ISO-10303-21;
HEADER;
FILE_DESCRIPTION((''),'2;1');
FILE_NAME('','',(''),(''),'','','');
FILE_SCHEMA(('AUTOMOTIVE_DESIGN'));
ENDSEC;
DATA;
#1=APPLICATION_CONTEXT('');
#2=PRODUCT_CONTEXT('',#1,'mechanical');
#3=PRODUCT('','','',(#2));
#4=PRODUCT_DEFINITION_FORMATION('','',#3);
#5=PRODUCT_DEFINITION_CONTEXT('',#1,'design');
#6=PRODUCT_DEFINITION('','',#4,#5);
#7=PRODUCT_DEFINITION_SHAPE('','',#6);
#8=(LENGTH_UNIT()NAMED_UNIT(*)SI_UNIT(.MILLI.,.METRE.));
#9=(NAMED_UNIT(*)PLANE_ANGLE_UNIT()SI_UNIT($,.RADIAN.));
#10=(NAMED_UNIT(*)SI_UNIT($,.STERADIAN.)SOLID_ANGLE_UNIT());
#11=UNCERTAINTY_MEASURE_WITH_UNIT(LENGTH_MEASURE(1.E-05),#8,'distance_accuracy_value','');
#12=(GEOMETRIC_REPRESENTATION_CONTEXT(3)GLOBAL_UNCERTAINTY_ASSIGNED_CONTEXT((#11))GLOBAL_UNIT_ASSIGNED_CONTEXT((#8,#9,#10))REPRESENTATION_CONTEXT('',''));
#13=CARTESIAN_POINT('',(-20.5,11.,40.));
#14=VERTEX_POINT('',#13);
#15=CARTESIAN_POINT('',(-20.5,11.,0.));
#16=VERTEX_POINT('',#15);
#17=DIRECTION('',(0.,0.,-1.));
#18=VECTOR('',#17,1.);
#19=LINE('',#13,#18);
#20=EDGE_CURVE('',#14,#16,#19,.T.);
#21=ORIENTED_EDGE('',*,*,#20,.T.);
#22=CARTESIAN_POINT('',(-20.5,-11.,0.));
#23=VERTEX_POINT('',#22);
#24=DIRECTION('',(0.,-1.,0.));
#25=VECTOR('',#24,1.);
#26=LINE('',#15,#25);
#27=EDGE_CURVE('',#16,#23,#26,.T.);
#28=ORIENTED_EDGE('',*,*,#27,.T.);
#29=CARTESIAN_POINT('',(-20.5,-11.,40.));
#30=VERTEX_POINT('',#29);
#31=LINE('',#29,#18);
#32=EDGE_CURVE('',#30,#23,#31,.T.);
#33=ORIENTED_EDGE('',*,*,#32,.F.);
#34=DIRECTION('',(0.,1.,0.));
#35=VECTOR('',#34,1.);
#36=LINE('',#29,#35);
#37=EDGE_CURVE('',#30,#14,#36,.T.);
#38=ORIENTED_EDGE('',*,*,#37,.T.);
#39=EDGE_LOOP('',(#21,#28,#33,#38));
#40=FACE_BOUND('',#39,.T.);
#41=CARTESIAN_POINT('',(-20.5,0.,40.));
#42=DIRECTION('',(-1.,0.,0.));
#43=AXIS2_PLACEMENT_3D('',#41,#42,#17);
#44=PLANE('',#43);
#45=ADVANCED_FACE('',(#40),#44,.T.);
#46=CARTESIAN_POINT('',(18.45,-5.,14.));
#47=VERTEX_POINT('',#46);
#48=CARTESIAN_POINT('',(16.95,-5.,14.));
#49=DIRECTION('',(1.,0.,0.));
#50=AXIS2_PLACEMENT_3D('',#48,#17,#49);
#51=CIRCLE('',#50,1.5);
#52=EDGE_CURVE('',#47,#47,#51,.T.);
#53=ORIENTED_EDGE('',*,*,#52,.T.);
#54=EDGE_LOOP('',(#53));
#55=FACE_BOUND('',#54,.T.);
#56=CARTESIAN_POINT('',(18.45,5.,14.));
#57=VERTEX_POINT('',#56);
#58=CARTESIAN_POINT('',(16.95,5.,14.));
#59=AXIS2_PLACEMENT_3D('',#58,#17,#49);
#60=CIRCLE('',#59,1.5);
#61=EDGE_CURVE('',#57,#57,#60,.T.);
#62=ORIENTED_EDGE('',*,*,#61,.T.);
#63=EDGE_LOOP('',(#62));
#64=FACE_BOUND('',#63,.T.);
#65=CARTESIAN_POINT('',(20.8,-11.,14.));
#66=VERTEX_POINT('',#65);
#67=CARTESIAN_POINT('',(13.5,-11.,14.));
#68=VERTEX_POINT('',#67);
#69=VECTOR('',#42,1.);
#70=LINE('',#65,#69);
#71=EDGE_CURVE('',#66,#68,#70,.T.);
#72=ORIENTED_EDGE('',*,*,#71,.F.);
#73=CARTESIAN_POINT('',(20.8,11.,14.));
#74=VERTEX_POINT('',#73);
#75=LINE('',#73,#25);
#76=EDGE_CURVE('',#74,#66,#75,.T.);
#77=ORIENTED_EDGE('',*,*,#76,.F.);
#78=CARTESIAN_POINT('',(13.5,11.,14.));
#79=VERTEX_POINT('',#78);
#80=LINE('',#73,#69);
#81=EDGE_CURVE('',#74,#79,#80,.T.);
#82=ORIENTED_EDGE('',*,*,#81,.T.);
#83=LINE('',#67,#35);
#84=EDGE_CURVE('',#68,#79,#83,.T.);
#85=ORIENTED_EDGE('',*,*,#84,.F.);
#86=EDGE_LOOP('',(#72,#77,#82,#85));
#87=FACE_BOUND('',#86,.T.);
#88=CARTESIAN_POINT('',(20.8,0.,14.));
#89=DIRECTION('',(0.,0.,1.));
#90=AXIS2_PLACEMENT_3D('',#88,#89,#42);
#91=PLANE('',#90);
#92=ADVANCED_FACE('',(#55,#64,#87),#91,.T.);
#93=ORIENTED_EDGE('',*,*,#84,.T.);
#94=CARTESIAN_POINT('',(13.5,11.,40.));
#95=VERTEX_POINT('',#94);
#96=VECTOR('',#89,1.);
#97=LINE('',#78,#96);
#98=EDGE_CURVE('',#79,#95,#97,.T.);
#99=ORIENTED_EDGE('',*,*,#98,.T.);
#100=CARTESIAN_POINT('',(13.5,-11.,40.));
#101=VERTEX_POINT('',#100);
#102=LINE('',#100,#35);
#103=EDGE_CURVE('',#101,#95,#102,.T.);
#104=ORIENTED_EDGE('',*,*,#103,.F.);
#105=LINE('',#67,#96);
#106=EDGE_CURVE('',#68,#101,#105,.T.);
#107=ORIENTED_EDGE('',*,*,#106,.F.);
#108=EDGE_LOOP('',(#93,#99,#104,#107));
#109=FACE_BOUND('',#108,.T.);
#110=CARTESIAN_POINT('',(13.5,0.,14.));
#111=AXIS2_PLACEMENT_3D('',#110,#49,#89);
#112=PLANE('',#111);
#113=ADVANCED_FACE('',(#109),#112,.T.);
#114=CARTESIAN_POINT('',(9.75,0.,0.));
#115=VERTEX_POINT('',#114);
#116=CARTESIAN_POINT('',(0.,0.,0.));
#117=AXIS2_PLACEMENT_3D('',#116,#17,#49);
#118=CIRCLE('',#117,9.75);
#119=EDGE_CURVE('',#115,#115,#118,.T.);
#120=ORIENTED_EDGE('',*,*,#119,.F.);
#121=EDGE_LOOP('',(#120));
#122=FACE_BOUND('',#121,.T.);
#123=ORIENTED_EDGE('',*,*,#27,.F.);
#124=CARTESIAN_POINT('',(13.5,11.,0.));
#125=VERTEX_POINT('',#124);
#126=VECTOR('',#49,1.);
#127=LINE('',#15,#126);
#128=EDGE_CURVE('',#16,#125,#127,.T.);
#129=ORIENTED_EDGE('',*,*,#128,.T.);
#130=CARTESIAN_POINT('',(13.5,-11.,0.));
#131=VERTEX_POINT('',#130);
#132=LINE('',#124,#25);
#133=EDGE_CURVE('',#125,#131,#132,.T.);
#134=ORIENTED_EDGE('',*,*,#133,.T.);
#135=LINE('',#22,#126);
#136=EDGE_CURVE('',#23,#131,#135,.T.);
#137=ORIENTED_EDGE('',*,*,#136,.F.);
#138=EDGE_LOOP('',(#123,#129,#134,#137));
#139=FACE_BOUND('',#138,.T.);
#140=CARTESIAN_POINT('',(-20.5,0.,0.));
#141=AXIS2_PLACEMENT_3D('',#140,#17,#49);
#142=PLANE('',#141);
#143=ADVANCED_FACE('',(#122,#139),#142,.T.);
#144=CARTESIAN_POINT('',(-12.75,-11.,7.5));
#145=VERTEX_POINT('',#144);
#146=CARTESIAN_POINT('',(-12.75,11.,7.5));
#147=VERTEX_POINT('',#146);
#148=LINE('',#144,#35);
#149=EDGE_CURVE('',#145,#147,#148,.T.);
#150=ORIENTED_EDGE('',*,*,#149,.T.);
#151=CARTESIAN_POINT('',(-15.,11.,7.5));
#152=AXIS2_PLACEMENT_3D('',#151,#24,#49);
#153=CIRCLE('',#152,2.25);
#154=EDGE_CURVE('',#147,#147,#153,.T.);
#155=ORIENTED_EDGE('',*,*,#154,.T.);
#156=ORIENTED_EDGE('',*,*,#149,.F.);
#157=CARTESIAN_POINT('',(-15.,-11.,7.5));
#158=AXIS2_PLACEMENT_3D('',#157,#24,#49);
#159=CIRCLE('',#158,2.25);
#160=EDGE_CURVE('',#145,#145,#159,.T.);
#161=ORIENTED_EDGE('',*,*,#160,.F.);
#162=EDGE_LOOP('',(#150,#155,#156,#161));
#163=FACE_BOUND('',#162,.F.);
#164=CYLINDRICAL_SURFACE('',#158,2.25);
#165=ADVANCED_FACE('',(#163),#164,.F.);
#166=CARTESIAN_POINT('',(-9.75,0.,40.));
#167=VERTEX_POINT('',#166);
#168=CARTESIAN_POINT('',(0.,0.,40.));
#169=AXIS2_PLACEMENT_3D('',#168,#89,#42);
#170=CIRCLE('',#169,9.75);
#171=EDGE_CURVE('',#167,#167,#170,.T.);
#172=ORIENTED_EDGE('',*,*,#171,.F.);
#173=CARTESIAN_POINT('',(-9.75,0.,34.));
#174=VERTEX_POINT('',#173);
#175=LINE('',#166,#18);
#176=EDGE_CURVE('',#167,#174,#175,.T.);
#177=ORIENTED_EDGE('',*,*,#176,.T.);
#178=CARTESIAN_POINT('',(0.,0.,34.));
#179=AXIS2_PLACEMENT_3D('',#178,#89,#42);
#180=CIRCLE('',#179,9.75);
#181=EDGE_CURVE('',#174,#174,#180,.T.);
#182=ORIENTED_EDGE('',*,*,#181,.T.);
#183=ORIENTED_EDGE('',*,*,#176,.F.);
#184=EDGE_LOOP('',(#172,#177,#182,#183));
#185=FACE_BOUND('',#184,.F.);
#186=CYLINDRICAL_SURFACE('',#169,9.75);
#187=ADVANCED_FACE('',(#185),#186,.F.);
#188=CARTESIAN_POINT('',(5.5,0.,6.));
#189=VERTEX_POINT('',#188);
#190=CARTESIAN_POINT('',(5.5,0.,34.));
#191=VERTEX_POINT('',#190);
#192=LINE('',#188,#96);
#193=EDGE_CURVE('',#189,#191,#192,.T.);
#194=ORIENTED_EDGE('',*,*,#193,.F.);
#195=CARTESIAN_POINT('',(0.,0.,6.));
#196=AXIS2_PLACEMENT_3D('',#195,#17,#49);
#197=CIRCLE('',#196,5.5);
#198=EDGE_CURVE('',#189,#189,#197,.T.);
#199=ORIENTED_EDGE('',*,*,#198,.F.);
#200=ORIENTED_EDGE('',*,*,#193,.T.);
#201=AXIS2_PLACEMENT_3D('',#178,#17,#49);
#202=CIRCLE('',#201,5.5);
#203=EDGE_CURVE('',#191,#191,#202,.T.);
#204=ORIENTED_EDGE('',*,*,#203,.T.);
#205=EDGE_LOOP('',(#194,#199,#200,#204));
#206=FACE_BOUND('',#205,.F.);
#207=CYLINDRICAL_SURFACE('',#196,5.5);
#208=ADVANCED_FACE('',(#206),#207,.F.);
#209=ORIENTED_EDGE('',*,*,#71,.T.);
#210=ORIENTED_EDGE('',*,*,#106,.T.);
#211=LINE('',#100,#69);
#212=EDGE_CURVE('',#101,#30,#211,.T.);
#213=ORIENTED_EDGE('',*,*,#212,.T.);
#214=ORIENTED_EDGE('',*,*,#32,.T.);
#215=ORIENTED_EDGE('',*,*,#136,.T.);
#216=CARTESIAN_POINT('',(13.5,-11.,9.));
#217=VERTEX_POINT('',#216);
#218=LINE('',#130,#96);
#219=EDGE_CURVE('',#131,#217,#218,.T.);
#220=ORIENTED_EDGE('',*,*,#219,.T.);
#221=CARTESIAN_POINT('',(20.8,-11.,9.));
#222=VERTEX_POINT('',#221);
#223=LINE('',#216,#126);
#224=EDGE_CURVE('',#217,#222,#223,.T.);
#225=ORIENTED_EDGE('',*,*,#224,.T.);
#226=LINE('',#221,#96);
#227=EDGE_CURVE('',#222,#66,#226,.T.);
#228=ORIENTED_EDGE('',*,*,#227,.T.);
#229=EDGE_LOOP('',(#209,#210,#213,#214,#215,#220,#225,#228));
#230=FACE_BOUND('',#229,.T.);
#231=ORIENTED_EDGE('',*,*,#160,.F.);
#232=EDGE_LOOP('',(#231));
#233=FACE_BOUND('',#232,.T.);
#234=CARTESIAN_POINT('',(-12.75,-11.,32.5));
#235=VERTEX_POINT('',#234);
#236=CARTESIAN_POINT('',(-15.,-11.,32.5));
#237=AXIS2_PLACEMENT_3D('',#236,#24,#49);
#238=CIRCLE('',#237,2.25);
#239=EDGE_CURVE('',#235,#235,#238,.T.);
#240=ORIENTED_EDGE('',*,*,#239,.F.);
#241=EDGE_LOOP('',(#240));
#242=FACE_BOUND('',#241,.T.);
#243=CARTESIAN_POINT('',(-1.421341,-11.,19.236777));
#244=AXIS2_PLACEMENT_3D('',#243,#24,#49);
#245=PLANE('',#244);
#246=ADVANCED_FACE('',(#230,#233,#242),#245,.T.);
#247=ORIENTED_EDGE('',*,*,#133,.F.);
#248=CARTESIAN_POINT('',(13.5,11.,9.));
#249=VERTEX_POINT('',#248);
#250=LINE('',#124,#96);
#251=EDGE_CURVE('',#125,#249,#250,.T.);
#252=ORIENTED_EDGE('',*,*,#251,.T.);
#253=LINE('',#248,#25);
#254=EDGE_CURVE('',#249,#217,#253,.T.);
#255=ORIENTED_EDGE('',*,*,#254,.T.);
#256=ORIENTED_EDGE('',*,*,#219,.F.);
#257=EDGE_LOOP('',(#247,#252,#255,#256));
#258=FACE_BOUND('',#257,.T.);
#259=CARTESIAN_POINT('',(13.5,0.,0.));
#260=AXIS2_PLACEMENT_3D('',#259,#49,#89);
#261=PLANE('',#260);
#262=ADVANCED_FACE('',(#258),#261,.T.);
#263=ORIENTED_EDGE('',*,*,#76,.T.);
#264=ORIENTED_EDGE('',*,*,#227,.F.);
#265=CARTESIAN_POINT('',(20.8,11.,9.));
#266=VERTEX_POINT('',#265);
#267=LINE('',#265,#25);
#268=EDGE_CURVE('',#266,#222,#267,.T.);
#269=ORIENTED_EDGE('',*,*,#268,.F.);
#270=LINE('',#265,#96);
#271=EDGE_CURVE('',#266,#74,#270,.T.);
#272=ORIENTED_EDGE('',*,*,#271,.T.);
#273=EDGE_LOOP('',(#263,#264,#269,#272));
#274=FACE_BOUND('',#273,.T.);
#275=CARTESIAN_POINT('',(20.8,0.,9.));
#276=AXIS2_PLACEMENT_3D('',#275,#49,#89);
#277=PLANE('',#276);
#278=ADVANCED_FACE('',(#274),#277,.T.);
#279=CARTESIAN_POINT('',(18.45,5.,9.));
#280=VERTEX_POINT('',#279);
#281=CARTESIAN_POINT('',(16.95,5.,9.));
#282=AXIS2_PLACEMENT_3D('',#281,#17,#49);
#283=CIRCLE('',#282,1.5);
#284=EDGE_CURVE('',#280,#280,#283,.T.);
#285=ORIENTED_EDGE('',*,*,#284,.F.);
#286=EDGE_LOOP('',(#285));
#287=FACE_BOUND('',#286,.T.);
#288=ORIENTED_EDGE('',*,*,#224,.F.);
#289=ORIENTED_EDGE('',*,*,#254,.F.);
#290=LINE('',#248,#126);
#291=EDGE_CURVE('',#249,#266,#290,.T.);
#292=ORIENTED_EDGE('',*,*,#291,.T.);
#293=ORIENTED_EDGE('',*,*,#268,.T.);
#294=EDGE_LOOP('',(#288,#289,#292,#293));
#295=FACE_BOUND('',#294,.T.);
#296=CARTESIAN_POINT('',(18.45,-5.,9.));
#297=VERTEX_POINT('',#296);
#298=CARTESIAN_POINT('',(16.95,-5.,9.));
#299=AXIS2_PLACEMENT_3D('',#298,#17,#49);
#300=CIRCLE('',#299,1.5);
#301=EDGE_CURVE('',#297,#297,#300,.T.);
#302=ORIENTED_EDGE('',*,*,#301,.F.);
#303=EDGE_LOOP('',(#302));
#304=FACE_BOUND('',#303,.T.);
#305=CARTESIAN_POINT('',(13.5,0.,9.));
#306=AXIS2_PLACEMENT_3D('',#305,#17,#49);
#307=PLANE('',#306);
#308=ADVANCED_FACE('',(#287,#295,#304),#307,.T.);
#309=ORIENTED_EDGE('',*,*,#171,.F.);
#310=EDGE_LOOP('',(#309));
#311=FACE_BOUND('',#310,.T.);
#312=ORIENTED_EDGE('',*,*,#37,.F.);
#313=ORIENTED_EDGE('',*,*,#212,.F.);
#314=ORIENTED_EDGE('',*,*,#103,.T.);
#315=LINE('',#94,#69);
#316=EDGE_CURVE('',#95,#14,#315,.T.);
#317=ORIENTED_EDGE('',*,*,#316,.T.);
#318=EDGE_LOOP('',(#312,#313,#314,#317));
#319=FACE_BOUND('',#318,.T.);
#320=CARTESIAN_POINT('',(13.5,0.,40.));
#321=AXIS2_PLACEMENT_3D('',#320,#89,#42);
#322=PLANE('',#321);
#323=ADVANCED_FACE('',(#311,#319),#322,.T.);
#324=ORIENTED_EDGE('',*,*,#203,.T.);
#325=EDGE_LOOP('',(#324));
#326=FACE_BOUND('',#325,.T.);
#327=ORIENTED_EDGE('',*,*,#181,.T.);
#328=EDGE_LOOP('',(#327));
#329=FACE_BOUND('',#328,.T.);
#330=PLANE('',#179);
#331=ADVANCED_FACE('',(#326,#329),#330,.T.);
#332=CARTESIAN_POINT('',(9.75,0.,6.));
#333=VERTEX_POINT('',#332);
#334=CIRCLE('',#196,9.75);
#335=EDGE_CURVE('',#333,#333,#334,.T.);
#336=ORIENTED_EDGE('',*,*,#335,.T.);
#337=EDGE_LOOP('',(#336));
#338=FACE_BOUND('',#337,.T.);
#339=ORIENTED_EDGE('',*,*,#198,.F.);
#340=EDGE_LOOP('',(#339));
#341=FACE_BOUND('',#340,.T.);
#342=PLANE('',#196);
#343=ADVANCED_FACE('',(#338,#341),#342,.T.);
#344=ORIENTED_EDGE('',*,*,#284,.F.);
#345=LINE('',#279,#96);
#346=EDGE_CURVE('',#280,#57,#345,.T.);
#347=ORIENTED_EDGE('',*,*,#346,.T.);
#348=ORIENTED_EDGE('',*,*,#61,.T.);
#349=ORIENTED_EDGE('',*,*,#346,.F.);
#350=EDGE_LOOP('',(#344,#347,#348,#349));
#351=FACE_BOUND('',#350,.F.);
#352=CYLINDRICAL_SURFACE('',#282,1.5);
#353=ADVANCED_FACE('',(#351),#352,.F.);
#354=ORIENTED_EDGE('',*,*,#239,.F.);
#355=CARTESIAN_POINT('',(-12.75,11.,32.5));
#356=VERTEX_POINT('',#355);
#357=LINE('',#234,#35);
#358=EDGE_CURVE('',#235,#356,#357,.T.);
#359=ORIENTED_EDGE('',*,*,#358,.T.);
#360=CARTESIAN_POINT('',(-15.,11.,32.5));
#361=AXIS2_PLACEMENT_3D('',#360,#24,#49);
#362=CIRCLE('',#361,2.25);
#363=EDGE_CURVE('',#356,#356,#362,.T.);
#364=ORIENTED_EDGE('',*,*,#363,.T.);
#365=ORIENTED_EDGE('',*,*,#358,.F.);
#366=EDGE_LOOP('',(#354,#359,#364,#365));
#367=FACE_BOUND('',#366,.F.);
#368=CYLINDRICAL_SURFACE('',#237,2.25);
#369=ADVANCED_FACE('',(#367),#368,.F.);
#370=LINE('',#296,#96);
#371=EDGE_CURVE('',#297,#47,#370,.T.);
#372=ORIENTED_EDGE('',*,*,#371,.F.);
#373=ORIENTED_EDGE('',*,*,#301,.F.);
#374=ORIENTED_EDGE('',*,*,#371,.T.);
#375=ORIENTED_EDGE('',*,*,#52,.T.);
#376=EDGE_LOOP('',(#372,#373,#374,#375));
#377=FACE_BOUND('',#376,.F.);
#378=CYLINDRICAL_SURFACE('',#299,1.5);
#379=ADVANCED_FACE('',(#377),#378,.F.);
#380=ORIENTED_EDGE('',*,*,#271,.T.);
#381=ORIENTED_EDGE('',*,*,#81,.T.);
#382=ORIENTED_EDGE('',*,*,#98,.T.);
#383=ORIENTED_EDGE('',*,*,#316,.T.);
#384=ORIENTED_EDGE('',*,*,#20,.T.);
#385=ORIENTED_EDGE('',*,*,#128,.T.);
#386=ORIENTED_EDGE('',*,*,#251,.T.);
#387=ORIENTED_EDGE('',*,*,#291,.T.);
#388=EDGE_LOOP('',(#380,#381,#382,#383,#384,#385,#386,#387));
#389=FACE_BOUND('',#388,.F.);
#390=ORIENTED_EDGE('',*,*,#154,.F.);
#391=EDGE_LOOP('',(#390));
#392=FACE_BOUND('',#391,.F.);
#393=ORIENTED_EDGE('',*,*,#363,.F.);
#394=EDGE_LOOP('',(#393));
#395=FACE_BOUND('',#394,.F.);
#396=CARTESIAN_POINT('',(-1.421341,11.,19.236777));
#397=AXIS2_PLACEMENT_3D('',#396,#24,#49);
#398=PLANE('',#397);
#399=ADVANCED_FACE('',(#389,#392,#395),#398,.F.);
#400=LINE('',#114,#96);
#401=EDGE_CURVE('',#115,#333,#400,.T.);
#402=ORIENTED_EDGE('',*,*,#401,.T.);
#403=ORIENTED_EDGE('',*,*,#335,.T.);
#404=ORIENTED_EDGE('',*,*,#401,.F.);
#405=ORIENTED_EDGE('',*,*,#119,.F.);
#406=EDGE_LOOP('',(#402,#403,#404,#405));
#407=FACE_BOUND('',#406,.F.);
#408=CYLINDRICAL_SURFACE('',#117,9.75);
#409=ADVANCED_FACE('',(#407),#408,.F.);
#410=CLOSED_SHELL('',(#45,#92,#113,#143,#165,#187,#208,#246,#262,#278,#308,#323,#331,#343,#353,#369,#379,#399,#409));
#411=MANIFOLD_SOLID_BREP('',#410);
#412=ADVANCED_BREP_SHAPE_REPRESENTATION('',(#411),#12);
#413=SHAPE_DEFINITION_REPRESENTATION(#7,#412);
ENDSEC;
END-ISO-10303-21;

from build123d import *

# Parameters (mm, degrees)
PAD_DEPTH       = 11
SKETCH001_R     = 9.75
POCKET_DEPTH    = 6
SKETCH002_R     = 5.5
POCKET001_DEPTH = 40
SKETCH003_R     = 9.75
POCKET002_DEPTH = 6
SKETCH004_R     = 2.25
POCKET003_DEPTH = 25
SKETCH005_R     = 1.5
POCKET004_DEPTH = 5


with BuildPart() as part:
    # Sketch → Pad (new body, symmetric)
    with BuildSketch(Plane.XZ):
        Polygon((-20.5, 40), (-20.5, 0), (13.5, 0), (13.5, 9), (20.8, 9), (20.8, 14), (13.5, 14), (13.5, 40), align=None)
    extrude(amount=PAD_DEPTH, both=True)

    # Sketch001 (on Face2 of Pad) → Pocket (cut)
    with BuildSketch(Plane(origin=(0, 0, 0), x_dir=(1, 0, 0), z_dir=(0, 0, -1))):
        Circle(SKETCH001_R)
    extrude(amount=-POCKET_DEPTH, mode=Mode.SUBTRACT)

    # Sketch002 (on Face12 of Pocket) → Pocket001 (cut)
    with BuildSketch(Plane(origin=(0, 0, 6), x_dir=(1, 0, 0), z_dir=(0, 0, -1))):
        Circle(SKETCH002_R)
    extrude(amount=-POCKET001_DEPTH, mode=Mode.SUBTRACT)

    # Sketch003 (on Face2 of Pocket001) → Pocket002 (cut)
    with BuildSketch(Plane(origin=(0, 0, 40), x_dir=(-1, 0, 0), z_dir=(0, 0, 1))):
        Circle(SKETCH003_R)
    extrude(amount=-POCKET002_DEPTH, mode=Mode.SUBTRACT)

    # Sketch004 (on Face5 of Pocket002) → Pocket003 (cut)
    with BuildSketch(Plane.XZ.offset(11)):
        with Locations((-15, 32.5)):
            Circle(SKETCH004_R)
        with Locations((-15, 7.5)):
            Circle(SKETCH004_R)
    extrude(amount=-POCKET003_DEPTH, mode=Mode.SUBTRACT)

    # Sketch005 (on Face11 of Pocket003) → Pocket004 (cut)
    with BuildSketch(Plane(origin=(0, 0, 9), x_dir=(1, 0, 0), z_dir=(0, 0, -1))):
        with Locations((16.95, 5)):
            Circle(SKETCH005_R)
        with Locations((16.95, -5)):
            Circle(SKETCH005_R)
    extrude(amount=-POCKET004_DEPTH, mode=Mode.SUBTRACT)


solid = part.part
